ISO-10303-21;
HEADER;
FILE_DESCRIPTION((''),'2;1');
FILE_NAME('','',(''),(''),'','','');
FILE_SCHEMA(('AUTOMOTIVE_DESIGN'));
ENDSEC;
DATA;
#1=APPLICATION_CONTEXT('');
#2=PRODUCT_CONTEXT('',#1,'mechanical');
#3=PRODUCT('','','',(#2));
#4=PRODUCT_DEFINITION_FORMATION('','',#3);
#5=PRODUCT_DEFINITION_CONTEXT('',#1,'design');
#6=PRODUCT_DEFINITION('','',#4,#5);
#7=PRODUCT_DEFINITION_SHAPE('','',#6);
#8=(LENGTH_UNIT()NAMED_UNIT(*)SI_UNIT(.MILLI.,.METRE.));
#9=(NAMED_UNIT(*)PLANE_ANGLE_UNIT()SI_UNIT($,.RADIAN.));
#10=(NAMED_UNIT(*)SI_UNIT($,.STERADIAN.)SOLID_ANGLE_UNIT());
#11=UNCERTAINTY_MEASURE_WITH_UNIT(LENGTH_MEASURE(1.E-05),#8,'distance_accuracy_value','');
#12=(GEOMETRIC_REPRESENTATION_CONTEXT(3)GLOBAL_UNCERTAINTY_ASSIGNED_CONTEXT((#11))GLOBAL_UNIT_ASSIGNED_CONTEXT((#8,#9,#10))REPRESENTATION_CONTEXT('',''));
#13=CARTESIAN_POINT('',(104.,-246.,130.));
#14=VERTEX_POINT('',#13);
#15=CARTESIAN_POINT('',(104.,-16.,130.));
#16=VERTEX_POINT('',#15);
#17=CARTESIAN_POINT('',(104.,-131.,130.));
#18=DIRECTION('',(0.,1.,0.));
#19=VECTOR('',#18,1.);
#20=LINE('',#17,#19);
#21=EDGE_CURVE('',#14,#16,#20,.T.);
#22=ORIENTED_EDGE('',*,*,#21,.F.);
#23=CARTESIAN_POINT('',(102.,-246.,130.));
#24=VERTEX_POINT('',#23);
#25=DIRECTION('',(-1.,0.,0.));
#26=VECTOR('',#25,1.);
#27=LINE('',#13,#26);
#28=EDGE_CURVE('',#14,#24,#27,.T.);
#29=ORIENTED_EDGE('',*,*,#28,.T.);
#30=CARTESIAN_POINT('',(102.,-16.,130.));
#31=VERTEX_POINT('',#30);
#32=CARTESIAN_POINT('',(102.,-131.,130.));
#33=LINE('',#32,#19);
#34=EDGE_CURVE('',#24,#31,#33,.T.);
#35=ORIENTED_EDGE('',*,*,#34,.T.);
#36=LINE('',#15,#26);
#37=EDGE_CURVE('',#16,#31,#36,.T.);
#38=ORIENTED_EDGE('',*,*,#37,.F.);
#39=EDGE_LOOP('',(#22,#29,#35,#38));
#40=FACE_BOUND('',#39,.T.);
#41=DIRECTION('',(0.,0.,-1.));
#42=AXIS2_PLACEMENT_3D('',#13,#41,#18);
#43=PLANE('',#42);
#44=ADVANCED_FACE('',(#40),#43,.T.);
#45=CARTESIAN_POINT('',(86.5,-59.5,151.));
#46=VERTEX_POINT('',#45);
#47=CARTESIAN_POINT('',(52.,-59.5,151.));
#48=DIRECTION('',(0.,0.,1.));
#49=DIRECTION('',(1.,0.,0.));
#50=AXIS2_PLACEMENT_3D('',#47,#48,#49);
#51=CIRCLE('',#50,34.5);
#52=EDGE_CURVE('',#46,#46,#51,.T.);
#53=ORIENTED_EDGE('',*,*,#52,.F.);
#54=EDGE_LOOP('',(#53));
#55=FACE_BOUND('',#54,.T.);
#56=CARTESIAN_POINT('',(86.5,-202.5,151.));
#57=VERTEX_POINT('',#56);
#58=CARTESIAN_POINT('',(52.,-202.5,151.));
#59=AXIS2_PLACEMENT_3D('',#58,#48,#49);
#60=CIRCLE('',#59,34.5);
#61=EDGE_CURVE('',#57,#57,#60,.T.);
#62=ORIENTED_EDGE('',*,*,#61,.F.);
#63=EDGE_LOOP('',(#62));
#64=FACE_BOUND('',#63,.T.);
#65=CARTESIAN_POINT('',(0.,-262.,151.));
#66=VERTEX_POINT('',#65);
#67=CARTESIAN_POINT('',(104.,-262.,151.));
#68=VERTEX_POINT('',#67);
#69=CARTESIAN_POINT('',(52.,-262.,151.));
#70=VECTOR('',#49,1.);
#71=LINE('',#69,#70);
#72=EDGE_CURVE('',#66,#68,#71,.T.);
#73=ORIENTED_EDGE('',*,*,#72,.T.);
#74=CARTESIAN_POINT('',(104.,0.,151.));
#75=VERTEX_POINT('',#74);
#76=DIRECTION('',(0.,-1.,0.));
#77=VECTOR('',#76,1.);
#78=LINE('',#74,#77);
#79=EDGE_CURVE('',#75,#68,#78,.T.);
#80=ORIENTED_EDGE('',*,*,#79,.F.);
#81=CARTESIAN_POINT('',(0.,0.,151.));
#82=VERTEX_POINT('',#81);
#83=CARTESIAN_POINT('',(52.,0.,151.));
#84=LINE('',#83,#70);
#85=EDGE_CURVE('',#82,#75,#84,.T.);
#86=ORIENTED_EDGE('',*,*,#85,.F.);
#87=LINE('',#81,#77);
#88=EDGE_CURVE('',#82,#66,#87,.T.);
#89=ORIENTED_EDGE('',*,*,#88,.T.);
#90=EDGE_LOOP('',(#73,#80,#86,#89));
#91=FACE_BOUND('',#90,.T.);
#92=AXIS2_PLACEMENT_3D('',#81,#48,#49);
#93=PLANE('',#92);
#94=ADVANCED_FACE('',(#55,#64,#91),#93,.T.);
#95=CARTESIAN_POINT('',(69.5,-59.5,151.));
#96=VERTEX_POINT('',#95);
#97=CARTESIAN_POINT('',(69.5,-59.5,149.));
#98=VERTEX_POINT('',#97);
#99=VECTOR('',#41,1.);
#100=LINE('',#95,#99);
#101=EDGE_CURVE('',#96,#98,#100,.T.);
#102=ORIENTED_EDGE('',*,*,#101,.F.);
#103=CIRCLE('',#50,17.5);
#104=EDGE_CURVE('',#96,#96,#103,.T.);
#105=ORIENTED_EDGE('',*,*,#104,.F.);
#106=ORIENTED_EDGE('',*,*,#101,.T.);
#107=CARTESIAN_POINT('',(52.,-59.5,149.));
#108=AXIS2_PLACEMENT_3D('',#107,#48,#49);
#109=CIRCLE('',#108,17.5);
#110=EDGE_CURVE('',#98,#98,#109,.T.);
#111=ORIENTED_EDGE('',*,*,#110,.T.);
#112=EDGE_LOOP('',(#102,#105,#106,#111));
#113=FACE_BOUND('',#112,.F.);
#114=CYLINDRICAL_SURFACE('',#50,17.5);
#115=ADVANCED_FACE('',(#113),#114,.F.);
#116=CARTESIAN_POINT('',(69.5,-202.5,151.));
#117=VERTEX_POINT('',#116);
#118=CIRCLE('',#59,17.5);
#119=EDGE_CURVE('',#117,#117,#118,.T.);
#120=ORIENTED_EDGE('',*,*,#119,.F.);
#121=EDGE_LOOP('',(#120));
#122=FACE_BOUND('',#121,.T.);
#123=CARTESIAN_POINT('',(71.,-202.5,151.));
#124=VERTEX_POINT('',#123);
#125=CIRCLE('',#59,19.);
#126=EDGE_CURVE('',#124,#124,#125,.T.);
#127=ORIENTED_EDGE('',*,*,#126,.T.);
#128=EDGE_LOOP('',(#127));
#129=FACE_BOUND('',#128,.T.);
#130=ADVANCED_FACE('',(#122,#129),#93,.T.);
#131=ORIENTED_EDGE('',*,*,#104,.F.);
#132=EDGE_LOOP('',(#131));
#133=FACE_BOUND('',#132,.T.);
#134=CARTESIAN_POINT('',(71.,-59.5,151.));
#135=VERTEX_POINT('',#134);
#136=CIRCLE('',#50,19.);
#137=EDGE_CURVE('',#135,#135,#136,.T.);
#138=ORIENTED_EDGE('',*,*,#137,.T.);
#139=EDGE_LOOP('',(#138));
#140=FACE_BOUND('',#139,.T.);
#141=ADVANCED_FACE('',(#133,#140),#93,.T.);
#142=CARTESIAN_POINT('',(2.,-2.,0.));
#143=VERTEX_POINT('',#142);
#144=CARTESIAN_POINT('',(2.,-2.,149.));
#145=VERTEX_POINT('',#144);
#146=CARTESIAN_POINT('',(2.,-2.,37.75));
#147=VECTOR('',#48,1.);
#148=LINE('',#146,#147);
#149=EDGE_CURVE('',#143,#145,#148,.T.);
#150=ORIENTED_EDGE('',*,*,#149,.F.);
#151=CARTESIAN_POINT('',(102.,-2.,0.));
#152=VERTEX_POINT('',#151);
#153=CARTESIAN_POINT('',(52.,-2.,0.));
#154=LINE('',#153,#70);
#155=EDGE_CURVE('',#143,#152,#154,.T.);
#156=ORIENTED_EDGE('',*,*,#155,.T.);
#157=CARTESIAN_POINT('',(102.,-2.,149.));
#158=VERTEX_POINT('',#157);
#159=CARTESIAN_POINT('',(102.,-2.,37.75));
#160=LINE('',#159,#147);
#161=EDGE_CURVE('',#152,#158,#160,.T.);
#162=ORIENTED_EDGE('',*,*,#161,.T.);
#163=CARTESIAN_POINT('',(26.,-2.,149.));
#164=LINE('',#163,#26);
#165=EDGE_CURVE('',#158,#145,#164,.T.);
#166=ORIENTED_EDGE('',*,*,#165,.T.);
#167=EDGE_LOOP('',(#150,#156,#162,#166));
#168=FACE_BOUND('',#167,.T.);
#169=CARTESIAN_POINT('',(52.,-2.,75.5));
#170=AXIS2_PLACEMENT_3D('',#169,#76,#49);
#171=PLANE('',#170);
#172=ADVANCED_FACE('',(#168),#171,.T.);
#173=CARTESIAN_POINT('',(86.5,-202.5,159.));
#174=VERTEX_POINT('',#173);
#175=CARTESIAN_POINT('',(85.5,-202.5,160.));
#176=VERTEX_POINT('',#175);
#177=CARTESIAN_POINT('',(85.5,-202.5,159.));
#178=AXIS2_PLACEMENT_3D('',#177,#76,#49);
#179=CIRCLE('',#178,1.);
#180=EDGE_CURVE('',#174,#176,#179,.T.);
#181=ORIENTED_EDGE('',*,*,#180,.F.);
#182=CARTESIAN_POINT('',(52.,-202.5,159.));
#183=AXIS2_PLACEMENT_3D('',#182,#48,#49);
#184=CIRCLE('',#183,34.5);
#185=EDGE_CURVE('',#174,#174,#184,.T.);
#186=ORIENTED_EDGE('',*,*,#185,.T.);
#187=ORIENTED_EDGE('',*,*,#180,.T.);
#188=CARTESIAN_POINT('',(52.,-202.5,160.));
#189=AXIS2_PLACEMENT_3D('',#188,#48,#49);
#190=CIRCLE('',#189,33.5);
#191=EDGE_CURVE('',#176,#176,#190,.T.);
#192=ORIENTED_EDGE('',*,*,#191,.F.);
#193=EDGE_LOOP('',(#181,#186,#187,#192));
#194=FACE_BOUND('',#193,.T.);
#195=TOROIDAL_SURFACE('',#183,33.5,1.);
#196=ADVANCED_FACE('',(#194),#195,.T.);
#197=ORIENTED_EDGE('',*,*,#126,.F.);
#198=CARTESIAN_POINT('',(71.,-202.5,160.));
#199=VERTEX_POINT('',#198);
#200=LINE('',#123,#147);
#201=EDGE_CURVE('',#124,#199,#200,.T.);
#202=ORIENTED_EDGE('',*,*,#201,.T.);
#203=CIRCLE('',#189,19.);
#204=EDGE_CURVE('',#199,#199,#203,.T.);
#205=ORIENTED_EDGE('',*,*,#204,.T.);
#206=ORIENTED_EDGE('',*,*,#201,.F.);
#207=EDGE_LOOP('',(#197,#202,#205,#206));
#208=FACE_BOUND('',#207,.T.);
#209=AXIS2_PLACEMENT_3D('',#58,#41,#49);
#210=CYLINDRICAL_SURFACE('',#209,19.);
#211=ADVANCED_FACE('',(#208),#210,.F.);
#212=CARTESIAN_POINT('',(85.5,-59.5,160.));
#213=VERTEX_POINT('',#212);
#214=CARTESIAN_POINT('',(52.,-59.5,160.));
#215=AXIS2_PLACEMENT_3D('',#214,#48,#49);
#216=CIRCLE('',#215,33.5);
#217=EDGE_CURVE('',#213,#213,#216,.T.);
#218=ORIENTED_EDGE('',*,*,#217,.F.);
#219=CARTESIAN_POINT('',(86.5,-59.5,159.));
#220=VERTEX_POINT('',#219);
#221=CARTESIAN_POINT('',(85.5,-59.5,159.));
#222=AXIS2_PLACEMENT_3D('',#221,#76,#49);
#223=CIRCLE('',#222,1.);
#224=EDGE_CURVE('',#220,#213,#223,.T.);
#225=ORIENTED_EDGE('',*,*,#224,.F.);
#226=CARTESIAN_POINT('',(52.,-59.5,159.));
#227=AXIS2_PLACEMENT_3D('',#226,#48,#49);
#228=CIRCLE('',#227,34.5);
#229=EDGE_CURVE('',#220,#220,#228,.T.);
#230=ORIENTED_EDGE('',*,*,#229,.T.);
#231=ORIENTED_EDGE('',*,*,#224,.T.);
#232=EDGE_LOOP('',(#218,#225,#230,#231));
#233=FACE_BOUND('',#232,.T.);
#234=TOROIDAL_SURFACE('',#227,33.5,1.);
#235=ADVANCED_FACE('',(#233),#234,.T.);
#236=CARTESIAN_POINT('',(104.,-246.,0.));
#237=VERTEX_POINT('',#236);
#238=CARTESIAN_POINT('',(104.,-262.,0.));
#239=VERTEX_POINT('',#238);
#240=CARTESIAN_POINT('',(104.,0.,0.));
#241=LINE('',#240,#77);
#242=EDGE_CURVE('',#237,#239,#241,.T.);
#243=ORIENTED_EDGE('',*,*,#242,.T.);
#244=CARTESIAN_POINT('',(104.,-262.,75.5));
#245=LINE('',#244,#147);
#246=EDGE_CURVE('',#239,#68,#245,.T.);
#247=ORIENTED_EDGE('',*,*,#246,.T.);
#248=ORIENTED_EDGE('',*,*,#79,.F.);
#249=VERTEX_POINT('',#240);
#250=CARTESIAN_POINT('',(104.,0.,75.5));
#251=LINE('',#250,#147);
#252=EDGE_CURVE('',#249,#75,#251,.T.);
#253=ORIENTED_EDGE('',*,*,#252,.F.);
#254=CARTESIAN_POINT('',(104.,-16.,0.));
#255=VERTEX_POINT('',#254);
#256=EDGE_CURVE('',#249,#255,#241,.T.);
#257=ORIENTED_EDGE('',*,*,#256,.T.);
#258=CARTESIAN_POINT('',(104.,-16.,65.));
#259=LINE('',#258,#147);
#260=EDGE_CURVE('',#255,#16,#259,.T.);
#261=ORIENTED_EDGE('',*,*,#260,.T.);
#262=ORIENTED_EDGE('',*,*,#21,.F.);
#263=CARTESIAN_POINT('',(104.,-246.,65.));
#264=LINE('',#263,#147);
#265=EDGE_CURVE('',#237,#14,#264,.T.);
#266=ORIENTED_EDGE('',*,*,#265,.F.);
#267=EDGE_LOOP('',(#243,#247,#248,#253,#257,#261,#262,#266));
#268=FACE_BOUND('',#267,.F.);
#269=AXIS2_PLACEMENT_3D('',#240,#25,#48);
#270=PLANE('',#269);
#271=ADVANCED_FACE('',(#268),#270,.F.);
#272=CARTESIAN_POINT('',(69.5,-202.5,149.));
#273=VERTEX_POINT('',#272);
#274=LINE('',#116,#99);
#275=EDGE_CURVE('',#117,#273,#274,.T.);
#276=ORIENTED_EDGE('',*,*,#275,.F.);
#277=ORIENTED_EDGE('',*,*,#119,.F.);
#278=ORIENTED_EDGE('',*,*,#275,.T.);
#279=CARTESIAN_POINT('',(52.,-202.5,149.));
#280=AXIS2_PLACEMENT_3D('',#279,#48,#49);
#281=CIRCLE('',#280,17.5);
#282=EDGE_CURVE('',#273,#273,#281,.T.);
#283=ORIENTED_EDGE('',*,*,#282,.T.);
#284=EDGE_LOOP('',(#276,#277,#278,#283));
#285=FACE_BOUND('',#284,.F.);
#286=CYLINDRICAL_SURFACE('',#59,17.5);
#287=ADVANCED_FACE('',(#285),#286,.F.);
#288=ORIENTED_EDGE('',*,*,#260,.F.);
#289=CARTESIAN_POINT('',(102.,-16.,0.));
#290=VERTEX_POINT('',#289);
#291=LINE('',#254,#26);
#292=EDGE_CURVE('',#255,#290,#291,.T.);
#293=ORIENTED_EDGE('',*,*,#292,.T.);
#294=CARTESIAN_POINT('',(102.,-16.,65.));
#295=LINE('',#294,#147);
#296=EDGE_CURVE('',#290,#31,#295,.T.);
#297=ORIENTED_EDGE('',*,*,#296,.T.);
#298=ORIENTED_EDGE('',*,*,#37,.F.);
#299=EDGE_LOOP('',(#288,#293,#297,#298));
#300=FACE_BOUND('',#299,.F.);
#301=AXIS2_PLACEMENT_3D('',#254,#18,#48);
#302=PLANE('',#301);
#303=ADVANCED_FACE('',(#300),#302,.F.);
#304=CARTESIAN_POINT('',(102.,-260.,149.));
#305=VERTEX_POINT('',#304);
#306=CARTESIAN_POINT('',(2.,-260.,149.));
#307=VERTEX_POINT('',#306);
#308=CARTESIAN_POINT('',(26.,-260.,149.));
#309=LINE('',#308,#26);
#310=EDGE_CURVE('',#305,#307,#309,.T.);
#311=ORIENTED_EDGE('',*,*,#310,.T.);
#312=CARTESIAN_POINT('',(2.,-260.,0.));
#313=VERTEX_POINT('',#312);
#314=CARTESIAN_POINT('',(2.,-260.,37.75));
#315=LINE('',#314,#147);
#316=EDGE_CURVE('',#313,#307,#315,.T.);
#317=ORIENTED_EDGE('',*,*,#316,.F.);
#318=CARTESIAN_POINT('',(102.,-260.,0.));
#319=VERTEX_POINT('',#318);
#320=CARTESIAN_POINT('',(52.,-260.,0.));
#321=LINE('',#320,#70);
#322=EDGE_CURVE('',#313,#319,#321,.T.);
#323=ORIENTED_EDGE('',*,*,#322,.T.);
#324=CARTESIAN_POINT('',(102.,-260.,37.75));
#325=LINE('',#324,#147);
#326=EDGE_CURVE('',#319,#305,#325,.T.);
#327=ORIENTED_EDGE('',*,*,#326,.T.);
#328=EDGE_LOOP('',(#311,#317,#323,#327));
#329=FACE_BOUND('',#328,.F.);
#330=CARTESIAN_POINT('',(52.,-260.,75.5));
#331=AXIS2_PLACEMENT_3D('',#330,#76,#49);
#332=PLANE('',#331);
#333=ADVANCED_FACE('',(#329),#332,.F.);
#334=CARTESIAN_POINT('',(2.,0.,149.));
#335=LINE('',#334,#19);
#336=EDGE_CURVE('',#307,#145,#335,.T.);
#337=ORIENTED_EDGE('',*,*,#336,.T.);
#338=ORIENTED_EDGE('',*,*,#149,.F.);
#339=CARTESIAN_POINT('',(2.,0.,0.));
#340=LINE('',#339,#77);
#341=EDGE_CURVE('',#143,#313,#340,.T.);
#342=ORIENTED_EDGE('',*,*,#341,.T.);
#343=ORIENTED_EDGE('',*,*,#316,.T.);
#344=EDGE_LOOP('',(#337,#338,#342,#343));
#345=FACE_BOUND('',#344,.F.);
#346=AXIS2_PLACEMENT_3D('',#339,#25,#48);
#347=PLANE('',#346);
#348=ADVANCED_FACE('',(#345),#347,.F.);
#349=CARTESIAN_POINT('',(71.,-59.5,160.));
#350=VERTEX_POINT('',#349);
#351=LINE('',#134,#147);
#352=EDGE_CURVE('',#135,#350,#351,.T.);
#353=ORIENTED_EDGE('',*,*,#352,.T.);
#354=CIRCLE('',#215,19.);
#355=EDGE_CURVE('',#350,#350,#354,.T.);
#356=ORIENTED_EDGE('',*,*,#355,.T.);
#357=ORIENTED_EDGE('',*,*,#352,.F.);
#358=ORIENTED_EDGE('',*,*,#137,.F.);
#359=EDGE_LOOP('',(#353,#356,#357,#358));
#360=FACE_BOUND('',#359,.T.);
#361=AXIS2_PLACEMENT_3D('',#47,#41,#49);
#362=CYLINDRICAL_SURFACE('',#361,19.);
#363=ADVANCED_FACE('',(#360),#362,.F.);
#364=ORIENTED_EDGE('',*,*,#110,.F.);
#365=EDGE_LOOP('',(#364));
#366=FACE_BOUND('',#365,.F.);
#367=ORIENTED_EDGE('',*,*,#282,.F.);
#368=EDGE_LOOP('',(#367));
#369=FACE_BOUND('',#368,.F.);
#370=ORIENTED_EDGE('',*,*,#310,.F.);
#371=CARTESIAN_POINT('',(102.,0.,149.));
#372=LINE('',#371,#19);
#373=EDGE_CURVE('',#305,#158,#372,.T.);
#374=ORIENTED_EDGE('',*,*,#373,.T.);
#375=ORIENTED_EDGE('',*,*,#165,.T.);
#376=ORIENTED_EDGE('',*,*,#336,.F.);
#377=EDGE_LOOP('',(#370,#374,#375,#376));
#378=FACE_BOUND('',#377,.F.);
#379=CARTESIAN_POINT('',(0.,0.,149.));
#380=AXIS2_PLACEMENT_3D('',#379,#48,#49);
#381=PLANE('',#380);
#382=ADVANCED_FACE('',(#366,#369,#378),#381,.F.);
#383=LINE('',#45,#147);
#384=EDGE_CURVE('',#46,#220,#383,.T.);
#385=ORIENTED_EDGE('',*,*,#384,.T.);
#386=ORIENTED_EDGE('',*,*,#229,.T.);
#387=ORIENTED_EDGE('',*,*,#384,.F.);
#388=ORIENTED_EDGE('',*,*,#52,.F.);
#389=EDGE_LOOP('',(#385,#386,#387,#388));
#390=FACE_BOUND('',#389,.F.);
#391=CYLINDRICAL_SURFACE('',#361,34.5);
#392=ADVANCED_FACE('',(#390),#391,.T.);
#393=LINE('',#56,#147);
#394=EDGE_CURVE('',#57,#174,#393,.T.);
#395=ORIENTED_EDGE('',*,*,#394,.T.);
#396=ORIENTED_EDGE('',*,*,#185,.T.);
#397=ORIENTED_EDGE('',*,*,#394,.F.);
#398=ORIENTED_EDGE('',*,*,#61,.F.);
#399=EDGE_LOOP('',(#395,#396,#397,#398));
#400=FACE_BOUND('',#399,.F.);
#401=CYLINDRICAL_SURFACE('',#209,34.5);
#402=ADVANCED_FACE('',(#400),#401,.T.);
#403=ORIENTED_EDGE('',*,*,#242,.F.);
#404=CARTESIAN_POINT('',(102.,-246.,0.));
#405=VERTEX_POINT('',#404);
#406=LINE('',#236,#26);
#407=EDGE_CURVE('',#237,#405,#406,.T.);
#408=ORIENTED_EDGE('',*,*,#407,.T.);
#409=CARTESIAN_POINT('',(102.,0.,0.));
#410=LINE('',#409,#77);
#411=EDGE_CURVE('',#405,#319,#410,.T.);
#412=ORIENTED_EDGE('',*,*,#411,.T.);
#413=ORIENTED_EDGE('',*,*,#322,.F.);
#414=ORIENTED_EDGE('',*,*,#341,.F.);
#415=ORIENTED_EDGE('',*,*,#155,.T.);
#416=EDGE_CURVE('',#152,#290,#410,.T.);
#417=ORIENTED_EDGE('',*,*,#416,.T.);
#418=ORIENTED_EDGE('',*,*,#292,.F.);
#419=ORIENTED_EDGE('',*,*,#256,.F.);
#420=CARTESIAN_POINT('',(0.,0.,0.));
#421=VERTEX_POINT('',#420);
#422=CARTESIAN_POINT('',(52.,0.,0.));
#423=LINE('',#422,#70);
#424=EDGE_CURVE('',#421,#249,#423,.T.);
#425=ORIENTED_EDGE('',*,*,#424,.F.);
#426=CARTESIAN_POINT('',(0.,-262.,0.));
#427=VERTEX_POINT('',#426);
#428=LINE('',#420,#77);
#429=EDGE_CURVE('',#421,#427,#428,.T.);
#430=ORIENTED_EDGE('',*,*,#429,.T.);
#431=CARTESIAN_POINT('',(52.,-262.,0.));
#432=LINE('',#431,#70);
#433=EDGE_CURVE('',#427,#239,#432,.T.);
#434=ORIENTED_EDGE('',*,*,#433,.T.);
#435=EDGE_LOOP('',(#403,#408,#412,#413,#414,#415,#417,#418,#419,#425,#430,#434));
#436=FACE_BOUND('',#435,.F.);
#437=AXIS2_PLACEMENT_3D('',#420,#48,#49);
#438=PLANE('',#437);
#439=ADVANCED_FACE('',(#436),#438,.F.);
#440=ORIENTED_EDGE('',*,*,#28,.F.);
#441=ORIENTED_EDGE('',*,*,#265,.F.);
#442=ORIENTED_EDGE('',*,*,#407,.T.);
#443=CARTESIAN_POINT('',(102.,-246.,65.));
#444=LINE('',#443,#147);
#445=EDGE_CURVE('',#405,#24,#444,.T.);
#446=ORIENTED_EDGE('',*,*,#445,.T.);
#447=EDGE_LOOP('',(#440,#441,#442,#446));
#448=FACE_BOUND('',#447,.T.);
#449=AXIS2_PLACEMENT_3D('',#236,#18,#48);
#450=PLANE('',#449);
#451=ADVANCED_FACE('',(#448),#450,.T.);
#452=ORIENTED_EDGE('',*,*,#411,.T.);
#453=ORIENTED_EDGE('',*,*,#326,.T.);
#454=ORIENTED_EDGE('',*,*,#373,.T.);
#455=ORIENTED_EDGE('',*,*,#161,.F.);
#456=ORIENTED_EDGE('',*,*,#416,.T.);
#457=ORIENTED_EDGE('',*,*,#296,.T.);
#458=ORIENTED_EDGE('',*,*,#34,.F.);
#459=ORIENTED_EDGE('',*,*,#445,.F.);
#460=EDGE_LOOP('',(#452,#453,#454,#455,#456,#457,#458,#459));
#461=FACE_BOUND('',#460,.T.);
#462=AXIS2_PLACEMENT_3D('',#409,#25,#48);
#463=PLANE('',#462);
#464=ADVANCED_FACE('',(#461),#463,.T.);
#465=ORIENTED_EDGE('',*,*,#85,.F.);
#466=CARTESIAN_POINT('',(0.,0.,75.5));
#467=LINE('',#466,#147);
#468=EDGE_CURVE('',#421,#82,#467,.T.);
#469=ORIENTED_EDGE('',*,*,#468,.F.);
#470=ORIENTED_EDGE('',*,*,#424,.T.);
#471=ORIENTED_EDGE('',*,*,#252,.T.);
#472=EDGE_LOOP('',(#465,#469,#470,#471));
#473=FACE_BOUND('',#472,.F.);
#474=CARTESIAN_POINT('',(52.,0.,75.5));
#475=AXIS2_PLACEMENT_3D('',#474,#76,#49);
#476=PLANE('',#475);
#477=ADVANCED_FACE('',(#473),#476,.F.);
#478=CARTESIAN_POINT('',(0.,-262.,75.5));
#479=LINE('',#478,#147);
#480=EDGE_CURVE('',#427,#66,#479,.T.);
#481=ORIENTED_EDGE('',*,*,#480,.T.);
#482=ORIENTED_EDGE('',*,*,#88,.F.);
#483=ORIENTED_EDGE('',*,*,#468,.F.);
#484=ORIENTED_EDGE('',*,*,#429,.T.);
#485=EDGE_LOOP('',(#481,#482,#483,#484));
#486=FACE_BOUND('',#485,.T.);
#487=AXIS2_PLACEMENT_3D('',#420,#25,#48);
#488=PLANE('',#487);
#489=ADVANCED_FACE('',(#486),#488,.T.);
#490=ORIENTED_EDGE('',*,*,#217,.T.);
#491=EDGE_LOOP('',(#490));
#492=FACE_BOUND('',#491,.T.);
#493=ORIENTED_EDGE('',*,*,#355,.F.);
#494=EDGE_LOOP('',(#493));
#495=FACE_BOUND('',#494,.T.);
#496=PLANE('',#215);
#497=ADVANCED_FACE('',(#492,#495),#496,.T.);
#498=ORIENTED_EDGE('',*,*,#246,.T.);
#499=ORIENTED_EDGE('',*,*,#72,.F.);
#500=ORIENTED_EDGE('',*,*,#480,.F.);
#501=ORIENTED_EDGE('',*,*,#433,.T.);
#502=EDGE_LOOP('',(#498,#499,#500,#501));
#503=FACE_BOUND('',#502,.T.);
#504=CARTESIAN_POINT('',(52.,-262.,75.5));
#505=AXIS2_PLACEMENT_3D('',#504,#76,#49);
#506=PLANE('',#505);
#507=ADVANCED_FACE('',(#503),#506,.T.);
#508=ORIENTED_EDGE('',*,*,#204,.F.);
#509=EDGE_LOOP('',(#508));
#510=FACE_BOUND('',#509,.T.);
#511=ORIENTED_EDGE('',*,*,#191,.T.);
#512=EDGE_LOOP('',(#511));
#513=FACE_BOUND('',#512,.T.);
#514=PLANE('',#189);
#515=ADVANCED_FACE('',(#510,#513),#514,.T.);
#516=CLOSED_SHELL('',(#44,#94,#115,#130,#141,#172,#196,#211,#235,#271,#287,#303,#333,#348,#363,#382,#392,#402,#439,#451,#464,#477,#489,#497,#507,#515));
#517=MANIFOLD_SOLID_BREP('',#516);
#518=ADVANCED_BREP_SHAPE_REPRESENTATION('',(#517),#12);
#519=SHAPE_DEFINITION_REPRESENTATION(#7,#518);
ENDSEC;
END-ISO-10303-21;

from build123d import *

# Parameters (mm, degrees)
F0_W     = 104
F0_H     = 151
F1_DEPTH = 262
F2_T     = -2
F3_W     = 230
F3_H     = 130
F4_DEPTH = 2
F5_R     = 17.5
F6_DEPTH = 25
F7_R     = 34.5
F7_R_2   = 19
F8_DEPTH = 9
F9_R     = 1


with BuildPart() as f1:
    # F0 (on Front) → F1 (new body)
    with BuildSketch(Plane.XZ):
        with Locations((52, 75.5)):
            Rectangle(F0_W, F0_H)
    extrude(amount=F1_DEPTH)

    # F2
    f2_openings = [f1.faces().sort_by_distance(p)[0] for p in [
        (52, -131, 0),
    ]]
    offset(amount=F2_T, openings=f2_openings)

    # F3 (on face) → F4 (cut, through all)
    with BuildSketch(Plane.YZ.offset(104)):
        with Locations((-131, 65)):
            Rectangle(F3_W, F3_H)
    extrude(amount=-F4_DEPTH, mode=Mode.SUBTRACT)

    # F5 (on face) → F6 (cut)
    with BuildSketch(Plane.XY.offset(151)):
        with Locations((52, -59.5)):
            Circle(F5_R)
        with Locations((52, -202.5)):
            Circle(F5_R)
    extrude(amount=-F6_DEPTH, mode=Mode.SUBTRACT)

    # F7 (on face) → F8 (join)
    with BuildSketch(Plane.XY.offset(151)):
        with Locations((52, -59.5)):
            Circle(F7_R)
        with Locations((52, -59.5)):
            Circle(F7_R_2, mode=Mode.SUBTRACT)
        with Locations((52, -202.5)):
            Circle(F7_R)
        with Locations((52, -202.5)):
            Circle(F7_R_2, mode=Mode.SUBTRACT)
    extrude(amount=F8_DEPTH)

    # F9
    f9_edges = [f1.edges().sort_by_distance(p)[0] for p in [
        (17.5, -59.5, 160),
        (17.5, -202.5, 160),
    ]]
    fillet(f9_edges, radius=F9_R)


solid = f1.part
